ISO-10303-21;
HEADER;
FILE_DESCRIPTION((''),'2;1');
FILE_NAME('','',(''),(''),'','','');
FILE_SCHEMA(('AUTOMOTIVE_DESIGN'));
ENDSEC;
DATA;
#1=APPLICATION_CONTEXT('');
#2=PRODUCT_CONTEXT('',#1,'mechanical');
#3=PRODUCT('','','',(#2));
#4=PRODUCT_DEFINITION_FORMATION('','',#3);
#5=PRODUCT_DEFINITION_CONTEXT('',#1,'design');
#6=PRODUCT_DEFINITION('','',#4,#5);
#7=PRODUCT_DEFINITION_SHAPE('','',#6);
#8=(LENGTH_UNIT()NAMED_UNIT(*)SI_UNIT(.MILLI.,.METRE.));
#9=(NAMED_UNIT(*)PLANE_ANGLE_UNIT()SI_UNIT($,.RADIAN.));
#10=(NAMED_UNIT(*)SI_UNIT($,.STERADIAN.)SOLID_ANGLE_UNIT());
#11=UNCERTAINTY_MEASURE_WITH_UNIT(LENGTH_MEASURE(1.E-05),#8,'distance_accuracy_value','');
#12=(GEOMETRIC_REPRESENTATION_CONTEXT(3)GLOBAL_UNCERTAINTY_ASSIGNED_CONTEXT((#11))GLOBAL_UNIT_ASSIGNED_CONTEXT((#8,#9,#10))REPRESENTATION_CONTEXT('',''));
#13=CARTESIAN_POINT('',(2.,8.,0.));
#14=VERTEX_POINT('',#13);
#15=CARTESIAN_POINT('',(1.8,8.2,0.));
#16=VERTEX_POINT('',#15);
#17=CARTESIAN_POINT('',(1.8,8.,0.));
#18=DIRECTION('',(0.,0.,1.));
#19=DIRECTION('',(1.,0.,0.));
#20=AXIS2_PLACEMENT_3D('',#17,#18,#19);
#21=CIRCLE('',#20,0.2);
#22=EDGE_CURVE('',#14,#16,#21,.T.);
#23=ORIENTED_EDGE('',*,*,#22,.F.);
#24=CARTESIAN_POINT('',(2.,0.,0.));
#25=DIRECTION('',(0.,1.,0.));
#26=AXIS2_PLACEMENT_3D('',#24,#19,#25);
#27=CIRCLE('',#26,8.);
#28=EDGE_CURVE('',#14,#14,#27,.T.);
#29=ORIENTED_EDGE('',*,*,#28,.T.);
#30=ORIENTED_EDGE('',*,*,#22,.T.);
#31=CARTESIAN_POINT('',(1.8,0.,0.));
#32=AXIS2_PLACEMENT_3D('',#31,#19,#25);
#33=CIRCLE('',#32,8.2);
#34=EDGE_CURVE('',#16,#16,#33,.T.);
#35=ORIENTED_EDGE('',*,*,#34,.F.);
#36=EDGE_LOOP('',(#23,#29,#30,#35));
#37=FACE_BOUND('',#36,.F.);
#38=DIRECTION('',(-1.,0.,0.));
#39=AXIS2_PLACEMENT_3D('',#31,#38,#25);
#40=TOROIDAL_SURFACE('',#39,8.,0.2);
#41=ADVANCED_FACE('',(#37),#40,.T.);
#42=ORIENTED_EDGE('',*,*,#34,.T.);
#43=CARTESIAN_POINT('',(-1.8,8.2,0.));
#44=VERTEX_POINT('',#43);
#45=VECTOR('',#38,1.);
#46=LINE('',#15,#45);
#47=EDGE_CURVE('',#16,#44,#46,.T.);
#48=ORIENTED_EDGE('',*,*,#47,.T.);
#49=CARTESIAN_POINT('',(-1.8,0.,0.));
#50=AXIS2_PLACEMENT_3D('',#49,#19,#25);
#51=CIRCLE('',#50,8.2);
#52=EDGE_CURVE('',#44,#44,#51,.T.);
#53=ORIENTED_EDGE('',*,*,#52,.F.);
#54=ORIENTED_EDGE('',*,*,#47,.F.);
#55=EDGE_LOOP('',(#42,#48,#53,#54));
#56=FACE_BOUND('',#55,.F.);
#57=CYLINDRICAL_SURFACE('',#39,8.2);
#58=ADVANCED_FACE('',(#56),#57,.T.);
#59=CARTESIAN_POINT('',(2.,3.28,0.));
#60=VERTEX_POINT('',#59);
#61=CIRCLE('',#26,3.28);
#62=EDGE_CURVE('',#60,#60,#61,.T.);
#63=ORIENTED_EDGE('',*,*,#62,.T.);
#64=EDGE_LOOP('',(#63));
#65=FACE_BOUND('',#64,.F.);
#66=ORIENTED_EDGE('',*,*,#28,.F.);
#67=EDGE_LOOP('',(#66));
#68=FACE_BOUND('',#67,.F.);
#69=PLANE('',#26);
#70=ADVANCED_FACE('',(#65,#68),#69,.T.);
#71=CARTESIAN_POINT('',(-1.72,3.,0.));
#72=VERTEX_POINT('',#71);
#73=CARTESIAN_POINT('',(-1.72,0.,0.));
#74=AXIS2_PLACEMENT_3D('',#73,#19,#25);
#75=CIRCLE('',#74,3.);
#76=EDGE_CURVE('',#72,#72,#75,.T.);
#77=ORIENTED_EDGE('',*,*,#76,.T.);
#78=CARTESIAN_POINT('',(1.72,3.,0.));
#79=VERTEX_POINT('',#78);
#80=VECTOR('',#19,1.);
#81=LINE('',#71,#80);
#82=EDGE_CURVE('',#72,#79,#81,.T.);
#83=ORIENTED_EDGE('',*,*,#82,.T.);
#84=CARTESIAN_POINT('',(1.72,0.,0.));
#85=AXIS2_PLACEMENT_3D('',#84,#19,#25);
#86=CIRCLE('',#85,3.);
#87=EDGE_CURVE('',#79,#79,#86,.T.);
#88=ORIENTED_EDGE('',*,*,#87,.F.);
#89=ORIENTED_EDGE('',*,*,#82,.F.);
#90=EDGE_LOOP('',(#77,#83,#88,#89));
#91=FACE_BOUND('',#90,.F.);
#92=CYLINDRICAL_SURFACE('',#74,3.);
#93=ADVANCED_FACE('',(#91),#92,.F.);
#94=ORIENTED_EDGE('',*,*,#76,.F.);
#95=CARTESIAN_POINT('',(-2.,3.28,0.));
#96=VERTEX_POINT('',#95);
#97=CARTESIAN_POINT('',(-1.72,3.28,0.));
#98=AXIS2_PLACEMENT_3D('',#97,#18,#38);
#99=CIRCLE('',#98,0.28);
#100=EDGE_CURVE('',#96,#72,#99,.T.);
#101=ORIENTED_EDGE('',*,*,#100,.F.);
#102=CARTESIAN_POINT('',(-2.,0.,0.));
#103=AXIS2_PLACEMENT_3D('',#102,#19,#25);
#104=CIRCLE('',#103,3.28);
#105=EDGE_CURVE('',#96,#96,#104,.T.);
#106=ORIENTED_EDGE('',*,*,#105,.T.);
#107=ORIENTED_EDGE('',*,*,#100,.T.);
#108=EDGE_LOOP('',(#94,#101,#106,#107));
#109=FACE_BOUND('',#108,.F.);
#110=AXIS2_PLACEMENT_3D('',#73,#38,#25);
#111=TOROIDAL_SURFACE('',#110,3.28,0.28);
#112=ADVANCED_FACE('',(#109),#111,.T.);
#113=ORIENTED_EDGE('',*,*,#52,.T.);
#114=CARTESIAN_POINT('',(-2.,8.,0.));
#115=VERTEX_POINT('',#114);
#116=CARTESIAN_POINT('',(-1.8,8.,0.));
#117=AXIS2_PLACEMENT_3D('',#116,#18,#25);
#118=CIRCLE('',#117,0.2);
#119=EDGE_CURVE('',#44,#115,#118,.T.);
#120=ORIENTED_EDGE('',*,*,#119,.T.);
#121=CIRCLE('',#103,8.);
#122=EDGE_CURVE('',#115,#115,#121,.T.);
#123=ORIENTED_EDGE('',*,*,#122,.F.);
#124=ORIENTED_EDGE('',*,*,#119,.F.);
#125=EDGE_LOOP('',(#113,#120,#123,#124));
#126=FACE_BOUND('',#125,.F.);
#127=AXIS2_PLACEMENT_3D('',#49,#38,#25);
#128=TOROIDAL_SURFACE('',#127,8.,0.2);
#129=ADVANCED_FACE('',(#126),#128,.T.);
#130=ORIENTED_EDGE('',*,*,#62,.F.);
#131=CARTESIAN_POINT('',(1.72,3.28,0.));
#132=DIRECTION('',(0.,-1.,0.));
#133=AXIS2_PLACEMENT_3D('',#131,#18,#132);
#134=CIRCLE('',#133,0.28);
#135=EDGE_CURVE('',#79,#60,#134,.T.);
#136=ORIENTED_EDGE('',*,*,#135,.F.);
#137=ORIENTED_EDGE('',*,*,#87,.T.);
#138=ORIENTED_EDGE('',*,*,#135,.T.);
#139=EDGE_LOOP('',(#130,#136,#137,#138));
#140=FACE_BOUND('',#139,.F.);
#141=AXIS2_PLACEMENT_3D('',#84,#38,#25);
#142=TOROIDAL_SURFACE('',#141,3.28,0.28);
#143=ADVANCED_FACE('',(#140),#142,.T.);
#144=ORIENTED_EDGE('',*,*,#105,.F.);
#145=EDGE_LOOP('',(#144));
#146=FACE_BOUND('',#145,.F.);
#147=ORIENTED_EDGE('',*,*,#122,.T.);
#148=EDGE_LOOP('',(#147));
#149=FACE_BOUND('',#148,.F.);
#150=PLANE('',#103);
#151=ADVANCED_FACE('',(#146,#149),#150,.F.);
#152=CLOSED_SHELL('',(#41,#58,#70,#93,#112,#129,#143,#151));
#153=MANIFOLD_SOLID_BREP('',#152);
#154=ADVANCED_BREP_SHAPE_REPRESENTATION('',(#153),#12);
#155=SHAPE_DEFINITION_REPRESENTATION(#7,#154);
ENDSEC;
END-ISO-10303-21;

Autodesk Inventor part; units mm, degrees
sketch "Sketch_4" plane through (0, 0, 0) normal (0, 0, 1) x (1, 0, 0)
  line L0 (50, 0) -> (-50, 0)
  arc A0 (-2, 3.28) -> (-1.72, 3) centre (-1.72, 3.28) ccw
  line L1 (-1.72, 3) -> (1.72, 3)
  arc A1 (1.72, 3) -> (2, 3.28) centre (1.72, 3.28) ccw
  line L2 (2, 3.28) -> (2, 8)
  arc A2 (2, 8) -> (1.8, 8.2) centre (1.8, 8) ccw
  line L3 (1.8, 8.2) -> (-1.8, 8.2)
  arc A3 (-1.8, 8.2) -> (-2, 8) centre (-1.8, 8) ccw
  line L4 (-2, 8) -> (-2, 3.28)
revolve "Revolution1" add sketch "Sketch_4" angle 360 about axis through (50, 0, 0) along (1, 0, 0)
ref_plane "IP_ball_XY" through (0, 0, 0) normal (1, 0, 0) x (0, 0, -1)
ref_plane "IP_ball_YZ" through (0, 0, 0) normal (0, 0, -1) x (0, 1, 0)
ref_plane "IP_ball_ZX" through (0, 0, 0) normal (0, 1, 0) x (1, 0, 0)
properties part number "110202DT-20-L1260ZZ_ball"
